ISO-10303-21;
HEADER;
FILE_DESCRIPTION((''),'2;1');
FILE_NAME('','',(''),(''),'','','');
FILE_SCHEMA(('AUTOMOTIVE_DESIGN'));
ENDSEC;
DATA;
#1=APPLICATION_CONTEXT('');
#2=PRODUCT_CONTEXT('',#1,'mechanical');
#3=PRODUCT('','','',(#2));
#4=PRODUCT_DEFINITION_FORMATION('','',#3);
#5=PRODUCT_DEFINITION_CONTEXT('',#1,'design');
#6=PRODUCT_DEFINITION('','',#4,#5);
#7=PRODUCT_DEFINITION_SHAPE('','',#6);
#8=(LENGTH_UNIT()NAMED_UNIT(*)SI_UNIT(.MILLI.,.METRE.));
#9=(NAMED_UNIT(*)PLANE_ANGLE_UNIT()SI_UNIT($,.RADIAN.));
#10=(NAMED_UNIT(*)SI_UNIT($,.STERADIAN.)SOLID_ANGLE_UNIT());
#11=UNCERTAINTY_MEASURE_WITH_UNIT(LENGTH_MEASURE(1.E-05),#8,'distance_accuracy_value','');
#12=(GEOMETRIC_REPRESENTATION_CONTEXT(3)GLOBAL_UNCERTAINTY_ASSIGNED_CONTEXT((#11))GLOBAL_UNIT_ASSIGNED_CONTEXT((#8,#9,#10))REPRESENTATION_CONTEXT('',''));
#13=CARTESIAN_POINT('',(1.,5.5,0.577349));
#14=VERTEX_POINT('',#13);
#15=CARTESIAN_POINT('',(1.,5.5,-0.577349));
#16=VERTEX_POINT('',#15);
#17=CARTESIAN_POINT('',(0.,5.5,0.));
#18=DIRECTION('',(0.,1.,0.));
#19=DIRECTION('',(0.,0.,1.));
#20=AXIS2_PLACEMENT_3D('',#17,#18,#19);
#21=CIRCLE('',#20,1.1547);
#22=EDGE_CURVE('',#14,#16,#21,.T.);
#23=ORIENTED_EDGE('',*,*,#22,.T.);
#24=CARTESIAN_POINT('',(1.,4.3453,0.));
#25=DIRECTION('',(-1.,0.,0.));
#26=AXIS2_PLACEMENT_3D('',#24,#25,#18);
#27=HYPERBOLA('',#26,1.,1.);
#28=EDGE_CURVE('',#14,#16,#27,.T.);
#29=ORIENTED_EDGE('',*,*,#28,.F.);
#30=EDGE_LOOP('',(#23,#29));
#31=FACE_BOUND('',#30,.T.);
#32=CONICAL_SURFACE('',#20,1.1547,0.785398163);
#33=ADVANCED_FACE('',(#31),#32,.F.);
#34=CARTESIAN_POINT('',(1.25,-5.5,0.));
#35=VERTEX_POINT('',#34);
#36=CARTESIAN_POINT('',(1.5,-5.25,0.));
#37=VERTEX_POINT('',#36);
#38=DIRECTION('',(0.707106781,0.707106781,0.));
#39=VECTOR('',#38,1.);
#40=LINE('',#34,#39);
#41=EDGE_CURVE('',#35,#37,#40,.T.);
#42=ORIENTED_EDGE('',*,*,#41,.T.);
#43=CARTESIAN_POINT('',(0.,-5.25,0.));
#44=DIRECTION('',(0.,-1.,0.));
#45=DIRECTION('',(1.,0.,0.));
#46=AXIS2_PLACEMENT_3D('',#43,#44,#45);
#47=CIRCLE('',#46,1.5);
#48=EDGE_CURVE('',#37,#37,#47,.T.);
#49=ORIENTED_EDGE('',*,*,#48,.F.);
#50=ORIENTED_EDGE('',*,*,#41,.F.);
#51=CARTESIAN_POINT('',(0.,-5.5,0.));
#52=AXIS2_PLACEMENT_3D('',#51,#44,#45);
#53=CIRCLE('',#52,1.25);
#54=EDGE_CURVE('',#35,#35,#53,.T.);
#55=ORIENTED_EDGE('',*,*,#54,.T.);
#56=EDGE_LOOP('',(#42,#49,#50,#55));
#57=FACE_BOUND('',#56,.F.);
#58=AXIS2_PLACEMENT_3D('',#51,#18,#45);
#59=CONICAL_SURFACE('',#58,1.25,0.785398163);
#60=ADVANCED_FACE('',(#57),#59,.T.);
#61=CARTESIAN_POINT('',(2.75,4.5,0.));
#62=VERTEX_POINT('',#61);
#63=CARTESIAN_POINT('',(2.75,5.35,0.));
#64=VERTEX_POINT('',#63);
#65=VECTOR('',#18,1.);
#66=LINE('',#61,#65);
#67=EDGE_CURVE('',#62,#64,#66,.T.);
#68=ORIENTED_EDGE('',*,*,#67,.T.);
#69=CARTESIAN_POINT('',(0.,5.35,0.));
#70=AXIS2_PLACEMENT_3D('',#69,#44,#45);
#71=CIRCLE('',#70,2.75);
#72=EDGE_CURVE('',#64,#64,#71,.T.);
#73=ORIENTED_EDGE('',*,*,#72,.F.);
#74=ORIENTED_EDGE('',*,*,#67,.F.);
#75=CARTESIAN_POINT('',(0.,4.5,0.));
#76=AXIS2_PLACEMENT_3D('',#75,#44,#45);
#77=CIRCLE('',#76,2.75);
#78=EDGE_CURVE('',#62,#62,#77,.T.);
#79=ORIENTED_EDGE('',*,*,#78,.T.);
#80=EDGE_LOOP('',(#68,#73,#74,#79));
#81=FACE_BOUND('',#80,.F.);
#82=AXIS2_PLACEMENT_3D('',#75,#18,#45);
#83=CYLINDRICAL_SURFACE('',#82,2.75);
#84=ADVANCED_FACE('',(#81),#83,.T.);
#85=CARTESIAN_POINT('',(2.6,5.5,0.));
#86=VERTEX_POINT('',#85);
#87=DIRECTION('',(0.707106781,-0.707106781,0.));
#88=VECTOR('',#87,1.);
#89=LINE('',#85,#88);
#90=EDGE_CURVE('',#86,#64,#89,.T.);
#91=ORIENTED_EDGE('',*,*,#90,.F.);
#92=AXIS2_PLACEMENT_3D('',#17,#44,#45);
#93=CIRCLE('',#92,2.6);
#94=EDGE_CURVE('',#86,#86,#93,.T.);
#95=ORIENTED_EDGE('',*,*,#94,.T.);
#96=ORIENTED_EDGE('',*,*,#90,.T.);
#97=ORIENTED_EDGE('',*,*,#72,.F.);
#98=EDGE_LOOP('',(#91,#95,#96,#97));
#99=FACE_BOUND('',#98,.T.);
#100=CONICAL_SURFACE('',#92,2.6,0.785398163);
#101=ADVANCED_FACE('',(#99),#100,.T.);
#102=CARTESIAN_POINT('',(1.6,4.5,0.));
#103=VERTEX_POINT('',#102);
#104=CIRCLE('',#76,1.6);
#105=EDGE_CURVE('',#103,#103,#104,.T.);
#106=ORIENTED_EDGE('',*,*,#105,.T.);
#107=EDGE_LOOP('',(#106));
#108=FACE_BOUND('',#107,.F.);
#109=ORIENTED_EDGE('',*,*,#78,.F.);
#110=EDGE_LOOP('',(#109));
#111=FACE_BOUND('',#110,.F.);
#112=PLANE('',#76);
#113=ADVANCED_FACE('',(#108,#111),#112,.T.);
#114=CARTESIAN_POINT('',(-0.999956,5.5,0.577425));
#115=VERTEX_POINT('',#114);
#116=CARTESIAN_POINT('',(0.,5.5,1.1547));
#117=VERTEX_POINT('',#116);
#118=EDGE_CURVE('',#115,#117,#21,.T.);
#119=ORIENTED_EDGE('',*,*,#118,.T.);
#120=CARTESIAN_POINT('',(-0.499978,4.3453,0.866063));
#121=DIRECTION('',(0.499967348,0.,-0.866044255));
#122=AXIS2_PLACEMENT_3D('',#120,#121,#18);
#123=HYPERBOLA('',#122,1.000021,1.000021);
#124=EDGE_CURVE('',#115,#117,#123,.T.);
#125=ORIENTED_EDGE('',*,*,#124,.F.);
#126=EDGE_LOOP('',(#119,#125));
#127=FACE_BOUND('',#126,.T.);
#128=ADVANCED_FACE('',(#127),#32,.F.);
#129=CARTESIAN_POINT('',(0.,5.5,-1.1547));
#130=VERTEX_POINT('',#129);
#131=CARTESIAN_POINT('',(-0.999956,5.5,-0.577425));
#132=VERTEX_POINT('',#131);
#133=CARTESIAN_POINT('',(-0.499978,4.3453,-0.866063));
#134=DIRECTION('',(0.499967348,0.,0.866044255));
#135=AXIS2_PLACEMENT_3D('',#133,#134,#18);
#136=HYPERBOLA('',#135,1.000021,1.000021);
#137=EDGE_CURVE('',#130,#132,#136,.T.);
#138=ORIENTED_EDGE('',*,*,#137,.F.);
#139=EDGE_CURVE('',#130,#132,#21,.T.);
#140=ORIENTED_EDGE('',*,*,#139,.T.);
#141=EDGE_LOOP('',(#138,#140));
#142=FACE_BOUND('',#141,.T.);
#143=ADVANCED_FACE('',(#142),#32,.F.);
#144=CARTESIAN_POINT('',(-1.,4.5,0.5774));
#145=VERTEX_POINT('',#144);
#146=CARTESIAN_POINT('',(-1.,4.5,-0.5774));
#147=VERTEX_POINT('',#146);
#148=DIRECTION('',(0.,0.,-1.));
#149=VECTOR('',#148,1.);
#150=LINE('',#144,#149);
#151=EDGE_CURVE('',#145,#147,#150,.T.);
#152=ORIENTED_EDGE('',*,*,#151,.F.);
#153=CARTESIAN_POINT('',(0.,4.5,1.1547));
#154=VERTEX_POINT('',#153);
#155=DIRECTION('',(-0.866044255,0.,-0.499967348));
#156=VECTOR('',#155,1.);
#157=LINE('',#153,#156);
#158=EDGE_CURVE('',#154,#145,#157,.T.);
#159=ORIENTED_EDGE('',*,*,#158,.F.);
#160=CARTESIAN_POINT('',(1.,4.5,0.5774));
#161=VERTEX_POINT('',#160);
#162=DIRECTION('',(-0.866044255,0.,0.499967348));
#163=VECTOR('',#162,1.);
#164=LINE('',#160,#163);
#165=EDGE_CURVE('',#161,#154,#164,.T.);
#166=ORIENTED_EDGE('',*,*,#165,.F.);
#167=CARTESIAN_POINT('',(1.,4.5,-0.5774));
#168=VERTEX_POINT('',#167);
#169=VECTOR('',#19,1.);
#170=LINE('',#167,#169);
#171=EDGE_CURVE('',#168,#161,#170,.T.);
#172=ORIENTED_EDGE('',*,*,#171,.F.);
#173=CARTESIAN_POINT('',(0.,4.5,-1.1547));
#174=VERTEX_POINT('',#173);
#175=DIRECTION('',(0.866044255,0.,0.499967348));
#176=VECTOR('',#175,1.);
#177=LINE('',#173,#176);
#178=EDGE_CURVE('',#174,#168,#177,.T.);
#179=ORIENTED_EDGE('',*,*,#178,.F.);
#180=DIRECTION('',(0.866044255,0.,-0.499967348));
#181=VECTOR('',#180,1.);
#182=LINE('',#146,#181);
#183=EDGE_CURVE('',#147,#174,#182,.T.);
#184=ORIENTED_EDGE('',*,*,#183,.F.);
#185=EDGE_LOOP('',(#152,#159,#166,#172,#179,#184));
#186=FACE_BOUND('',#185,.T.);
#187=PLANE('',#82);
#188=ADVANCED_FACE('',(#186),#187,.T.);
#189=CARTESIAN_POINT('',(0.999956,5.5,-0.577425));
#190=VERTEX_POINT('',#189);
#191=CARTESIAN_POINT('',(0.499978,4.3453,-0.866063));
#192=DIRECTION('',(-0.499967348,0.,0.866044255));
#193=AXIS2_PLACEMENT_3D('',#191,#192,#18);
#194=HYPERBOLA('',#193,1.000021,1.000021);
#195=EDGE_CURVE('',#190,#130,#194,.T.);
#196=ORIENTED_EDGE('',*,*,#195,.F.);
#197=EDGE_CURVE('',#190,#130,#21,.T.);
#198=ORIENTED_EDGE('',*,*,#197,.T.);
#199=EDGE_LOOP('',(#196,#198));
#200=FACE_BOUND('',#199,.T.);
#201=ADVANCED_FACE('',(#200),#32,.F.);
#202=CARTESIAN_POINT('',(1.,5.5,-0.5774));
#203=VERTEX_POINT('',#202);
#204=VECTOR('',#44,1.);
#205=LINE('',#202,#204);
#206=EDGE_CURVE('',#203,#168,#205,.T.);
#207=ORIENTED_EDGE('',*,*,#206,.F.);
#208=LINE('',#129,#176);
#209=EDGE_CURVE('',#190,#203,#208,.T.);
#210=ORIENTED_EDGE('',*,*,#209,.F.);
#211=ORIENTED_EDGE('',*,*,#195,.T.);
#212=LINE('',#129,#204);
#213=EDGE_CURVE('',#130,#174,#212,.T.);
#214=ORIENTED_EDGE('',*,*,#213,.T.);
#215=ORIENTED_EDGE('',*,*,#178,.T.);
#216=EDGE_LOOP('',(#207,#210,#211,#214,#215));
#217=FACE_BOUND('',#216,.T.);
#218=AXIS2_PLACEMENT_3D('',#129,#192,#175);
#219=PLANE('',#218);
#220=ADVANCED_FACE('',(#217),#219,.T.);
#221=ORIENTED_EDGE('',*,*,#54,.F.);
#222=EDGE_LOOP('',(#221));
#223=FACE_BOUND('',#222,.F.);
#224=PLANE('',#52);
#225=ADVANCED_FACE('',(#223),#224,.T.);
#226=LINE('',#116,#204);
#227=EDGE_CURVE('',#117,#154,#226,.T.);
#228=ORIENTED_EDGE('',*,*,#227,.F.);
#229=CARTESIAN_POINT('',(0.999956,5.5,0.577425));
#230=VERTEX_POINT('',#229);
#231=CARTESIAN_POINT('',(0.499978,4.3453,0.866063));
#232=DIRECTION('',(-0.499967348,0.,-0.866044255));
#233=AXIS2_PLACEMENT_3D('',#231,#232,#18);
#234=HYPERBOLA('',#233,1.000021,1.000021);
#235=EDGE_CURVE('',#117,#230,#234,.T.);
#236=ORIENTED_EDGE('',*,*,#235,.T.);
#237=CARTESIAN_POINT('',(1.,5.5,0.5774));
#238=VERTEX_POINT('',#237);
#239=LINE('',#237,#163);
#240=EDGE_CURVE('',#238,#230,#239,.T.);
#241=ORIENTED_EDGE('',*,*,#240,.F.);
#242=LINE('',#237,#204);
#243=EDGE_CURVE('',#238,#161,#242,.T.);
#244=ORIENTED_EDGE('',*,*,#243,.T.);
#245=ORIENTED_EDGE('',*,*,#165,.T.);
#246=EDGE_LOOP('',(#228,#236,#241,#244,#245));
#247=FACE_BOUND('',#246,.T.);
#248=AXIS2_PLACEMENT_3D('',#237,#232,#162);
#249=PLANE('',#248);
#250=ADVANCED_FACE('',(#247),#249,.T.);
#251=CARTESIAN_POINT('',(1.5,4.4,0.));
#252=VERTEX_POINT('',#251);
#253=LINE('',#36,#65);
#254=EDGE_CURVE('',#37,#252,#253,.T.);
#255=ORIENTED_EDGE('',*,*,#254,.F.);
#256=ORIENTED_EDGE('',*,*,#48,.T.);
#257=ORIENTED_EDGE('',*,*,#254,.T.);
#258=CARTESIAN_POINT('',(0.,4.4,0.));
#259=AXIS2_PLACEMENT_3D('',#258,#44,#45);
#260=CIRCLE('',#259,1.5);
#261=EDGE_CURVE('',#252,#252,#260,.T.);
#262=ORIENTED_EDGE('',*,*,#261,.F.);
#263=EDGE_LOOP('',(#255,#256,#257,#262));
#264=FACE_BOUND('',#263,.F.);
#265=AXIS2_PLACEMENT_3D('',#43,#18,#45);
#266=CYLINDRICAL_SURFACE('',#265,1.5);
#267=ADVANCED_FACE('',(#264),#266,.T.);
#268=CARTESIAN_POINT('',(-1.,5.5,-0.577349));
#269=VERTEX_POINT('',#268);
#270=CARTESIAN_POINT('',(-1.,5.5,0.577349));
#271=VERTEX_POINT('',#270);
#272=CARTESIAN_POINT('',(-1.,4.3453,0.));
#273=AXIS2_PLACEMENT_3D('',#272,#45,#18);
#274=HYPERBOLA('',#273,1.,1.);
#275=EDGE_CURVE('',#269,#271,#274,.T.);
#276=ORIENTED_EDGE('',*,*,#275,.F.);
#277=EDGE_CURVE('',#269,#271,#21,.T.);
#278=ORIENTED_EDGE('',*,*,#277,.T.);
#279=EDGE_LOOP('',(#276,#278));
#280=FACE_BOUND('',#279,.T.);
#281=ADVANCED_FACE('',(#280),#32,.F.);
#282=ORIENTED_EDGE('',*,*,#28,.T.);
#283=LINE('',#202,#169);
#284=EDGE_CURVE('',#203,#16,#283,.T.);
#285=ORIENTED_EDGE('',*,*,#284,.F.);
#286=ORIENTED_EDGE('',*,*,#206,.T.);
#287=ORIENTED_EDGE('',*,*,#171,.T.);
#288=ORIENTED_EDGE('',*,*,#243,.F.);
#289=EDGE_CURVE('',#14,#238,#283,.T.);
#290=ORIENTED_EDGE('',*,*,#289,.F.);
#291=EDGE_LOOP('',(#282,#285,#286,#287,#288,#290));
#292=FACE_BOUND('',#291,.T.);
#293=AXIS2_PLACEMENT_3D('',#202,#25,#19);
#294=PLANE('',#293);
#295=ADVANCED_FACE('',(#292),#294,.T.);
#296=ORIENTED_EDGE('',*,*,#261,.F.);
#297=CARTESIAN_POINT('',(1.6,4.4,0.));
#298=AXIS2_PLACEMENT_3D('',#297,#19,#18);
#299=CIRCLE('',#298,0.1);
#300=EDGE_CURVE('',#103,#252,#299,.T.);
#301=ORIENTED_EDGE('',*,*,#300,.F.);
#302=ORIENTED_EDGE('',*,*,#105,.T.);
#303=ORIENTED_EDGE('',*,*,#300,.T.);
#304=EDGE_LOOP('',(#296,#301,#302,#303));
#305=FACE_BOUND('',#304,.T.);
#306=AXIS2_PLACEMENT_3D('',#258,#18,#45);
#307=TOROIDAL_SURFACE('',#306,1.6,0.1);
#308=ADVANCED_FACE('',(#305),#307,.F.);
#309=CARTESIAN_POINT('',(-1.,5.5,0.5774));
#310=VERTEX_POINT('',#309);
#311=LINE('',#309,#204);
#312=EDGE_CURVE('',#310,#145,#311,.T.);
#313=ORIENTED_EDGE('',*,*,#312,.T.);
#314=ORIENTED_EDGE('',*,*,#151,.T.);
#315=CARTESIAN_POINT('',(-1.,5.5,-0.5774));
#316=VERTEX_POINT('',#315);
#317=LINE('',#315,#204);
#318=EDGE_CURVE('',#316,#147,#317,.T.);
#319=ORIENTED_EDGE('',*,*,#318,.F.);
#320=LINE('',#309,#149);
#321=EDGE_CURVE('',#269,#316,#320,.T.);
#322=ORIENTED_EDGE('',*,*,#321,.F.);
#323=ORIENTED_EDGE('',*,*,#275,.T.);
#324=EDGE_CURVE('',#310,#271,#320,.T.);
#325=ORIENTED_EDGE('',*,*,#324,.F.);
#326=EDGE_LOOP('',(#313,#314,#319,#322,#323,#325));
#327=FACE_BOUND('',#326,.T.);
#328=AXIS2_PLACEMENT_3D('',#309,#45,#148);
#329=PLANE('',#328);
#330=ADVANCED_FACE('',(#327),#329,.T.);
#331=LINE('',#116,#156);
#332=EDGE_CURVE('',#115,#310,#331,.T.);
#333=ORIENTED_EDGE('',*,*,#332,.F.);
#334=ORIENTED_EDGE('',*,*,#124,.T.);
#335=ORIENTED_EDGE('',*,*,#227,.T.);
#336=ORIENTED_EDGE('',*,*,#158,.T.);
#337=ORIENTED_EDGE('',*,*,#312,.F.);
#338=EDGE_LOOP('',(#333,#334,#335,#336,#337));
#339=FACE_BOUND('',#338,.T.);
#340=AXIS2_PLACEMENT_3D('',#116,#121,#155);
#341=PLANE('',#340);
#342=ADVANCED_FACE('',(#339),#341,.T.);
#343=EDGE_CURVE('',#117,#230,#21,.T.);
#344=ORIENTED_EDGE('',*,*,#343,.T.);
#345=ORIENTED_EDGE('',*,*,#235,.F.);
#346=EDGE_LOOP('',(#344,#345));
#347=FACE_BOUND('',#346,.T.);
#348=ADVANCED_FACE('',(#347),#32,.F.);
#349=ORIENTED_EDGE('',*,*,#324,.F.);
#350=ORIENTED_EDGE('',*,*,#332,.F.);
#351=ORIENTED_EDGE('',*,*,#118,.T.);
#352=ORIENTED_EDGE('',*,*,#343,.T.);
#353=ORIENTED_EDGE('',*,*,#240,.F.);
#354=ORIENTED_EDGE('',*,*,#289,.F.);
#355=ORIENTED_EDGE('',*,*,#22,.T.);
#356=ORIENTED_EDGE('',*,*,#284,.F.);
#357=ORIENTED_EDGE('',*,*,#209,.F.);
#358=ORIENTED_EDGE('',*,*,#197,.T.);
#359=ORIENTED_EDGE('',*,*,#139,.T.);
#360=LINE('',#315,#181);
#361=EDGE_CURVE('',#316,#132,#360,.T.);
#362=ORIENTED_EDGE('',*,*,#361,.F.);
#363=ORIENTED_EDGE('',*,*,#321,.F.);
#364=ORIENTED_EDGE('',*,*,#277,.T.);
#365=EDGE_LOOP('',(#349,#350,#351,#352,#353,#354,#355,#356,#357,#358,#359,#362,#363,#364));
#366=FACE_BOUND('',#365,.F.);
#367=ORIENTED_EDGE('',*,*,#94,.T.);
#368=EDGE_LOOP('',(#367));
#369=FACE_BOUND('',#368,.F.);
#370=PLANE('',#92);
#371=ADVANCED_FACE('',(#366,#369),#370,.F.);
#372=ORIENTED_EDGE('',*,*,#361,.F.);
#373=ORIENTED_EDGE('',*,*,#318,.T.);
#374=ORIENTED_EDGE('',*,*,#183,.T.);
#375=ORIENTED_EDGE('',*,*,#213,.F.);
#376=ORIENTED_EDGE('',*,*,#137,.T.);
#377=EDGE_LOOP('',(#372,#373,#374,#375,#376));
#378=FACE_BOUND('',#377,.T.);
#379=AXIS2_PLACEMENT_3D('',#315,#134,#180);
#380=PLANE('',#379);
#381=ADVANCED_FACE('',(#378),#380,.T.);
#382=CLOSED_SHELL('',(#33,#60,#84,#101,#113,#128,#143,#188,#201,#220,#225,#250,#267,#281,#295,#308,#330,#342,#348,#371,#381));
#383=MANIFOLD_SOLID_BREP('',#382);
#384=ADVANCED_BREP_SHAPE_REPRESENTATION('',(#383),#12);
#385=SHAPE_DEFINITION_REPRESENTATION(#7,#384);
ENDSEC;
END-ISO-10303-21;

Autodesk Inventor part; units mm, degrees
ref_plane "YZ Plane" through (0, 0, 0) normal (1, 0, 0) x (0, 1, 0)
ref_plane "XZ Plane" through (0, 0, 0) normal (0, 1, 0) x (-1, 0, 0)
ref_plane "XY Plane" through (0, 0, 0) normal (0, 0, 1) x (1, 0, 0)
sketch "Sketch1" plane through (0, 0, 0) normal (0, 0, 1) x (1, 0, 0)
  line L0 (0, 5.5) -> (0, -5.5)
  line L1 (0, -5.5) -> (1.25, -5.5)
  line L2 (1.25, -5.5) -> (1.5, -5.25)
  line L3 (1.5, -5.25) -> (1.5, 4.4)
  line L4 (1.6, 4.5) -> (2.75, 4.5)
  line L5 (2.75, 4.5) -> (2.75, 5.35)
  line L6 (2.6, 5.5) -> (0, 5.5)
  arc A0 (1.6, 4.5) -> (1.5, 4.4) centre (1.6, 4.4) ccw
  line L7 (2.6, 5.5) -> (2.75, 5.35)
  point P0 (0, 0)
  point P1 (2.75, 5.5)
  point P2 (0, 0)
  dimension "d0" = 5.5
  dimension "d1" = 1
  dimension "d3" = 3
  dimension "d4" = 3.2
  dimension "d5" = 135
  dimension "d6" = 0.25
  dimension "d7" = 10
  dimension "d18" = 0.15
  dimension "d22" = 0.15
revolve "Revolution1" add sketch "Sketch1" angle 360 about axis through (0, 5.5, 0) along (0, -1, 0)
sketch "Sketch2" plane through (0, 5.5, 0) normal (0, 1, 0) x (1, 0, 0)
  line L0 (0, -1.1547) -> (-1, -0.5774)
  line L1 (-1, -0.5774) -> (-1, 0.5774)
  line L2 (-1, 0.5774) -> (0, 1.1547)
  line L3 (0, 1.1547) -> (1, 0.5774)
  line L4 (1, 0.5774) -> (1, -0.5774)
  line L5 (1, -0.5774) -> (0, -1.1547)
  point P0 (0, 0)
  point P1 (0, 0)
  dimension "d11" = 2
extrude "Extrusion1" cut sketch "Sketch2" against normal blind 1
thread "Thread1" size "M3x0.5" class "6g" standard "ANSI Metric M Profile" full length
sketch "Sketch3" plane through (0, 0, 0) normal (1, 0, 0) x (0, 1, 0)
  line L0 (5.5, 1.1547) -> (5.5, 0.5774) projected
  line L1 (5.5, 1.1547) -> (5, 0.6547)
  line L2 (5, 0.6547) -> (5.5, 0.6547)
  line L3 (5.5, 0.6547) -> (5.5, 1.1547)
  line L4 (-0.9, 0) -> (5.4, 0) projected
  point P0 (0, 0)
  dimension "d16" = 0.5
revolve "Revolution2" cut sketch "Sketch3" angle 360 about axis through (0, -10, 0) along (0, 1, 0)
equation "\"d22\" = d18"
properties part number "48-03A1" material "Stainless Steel"
